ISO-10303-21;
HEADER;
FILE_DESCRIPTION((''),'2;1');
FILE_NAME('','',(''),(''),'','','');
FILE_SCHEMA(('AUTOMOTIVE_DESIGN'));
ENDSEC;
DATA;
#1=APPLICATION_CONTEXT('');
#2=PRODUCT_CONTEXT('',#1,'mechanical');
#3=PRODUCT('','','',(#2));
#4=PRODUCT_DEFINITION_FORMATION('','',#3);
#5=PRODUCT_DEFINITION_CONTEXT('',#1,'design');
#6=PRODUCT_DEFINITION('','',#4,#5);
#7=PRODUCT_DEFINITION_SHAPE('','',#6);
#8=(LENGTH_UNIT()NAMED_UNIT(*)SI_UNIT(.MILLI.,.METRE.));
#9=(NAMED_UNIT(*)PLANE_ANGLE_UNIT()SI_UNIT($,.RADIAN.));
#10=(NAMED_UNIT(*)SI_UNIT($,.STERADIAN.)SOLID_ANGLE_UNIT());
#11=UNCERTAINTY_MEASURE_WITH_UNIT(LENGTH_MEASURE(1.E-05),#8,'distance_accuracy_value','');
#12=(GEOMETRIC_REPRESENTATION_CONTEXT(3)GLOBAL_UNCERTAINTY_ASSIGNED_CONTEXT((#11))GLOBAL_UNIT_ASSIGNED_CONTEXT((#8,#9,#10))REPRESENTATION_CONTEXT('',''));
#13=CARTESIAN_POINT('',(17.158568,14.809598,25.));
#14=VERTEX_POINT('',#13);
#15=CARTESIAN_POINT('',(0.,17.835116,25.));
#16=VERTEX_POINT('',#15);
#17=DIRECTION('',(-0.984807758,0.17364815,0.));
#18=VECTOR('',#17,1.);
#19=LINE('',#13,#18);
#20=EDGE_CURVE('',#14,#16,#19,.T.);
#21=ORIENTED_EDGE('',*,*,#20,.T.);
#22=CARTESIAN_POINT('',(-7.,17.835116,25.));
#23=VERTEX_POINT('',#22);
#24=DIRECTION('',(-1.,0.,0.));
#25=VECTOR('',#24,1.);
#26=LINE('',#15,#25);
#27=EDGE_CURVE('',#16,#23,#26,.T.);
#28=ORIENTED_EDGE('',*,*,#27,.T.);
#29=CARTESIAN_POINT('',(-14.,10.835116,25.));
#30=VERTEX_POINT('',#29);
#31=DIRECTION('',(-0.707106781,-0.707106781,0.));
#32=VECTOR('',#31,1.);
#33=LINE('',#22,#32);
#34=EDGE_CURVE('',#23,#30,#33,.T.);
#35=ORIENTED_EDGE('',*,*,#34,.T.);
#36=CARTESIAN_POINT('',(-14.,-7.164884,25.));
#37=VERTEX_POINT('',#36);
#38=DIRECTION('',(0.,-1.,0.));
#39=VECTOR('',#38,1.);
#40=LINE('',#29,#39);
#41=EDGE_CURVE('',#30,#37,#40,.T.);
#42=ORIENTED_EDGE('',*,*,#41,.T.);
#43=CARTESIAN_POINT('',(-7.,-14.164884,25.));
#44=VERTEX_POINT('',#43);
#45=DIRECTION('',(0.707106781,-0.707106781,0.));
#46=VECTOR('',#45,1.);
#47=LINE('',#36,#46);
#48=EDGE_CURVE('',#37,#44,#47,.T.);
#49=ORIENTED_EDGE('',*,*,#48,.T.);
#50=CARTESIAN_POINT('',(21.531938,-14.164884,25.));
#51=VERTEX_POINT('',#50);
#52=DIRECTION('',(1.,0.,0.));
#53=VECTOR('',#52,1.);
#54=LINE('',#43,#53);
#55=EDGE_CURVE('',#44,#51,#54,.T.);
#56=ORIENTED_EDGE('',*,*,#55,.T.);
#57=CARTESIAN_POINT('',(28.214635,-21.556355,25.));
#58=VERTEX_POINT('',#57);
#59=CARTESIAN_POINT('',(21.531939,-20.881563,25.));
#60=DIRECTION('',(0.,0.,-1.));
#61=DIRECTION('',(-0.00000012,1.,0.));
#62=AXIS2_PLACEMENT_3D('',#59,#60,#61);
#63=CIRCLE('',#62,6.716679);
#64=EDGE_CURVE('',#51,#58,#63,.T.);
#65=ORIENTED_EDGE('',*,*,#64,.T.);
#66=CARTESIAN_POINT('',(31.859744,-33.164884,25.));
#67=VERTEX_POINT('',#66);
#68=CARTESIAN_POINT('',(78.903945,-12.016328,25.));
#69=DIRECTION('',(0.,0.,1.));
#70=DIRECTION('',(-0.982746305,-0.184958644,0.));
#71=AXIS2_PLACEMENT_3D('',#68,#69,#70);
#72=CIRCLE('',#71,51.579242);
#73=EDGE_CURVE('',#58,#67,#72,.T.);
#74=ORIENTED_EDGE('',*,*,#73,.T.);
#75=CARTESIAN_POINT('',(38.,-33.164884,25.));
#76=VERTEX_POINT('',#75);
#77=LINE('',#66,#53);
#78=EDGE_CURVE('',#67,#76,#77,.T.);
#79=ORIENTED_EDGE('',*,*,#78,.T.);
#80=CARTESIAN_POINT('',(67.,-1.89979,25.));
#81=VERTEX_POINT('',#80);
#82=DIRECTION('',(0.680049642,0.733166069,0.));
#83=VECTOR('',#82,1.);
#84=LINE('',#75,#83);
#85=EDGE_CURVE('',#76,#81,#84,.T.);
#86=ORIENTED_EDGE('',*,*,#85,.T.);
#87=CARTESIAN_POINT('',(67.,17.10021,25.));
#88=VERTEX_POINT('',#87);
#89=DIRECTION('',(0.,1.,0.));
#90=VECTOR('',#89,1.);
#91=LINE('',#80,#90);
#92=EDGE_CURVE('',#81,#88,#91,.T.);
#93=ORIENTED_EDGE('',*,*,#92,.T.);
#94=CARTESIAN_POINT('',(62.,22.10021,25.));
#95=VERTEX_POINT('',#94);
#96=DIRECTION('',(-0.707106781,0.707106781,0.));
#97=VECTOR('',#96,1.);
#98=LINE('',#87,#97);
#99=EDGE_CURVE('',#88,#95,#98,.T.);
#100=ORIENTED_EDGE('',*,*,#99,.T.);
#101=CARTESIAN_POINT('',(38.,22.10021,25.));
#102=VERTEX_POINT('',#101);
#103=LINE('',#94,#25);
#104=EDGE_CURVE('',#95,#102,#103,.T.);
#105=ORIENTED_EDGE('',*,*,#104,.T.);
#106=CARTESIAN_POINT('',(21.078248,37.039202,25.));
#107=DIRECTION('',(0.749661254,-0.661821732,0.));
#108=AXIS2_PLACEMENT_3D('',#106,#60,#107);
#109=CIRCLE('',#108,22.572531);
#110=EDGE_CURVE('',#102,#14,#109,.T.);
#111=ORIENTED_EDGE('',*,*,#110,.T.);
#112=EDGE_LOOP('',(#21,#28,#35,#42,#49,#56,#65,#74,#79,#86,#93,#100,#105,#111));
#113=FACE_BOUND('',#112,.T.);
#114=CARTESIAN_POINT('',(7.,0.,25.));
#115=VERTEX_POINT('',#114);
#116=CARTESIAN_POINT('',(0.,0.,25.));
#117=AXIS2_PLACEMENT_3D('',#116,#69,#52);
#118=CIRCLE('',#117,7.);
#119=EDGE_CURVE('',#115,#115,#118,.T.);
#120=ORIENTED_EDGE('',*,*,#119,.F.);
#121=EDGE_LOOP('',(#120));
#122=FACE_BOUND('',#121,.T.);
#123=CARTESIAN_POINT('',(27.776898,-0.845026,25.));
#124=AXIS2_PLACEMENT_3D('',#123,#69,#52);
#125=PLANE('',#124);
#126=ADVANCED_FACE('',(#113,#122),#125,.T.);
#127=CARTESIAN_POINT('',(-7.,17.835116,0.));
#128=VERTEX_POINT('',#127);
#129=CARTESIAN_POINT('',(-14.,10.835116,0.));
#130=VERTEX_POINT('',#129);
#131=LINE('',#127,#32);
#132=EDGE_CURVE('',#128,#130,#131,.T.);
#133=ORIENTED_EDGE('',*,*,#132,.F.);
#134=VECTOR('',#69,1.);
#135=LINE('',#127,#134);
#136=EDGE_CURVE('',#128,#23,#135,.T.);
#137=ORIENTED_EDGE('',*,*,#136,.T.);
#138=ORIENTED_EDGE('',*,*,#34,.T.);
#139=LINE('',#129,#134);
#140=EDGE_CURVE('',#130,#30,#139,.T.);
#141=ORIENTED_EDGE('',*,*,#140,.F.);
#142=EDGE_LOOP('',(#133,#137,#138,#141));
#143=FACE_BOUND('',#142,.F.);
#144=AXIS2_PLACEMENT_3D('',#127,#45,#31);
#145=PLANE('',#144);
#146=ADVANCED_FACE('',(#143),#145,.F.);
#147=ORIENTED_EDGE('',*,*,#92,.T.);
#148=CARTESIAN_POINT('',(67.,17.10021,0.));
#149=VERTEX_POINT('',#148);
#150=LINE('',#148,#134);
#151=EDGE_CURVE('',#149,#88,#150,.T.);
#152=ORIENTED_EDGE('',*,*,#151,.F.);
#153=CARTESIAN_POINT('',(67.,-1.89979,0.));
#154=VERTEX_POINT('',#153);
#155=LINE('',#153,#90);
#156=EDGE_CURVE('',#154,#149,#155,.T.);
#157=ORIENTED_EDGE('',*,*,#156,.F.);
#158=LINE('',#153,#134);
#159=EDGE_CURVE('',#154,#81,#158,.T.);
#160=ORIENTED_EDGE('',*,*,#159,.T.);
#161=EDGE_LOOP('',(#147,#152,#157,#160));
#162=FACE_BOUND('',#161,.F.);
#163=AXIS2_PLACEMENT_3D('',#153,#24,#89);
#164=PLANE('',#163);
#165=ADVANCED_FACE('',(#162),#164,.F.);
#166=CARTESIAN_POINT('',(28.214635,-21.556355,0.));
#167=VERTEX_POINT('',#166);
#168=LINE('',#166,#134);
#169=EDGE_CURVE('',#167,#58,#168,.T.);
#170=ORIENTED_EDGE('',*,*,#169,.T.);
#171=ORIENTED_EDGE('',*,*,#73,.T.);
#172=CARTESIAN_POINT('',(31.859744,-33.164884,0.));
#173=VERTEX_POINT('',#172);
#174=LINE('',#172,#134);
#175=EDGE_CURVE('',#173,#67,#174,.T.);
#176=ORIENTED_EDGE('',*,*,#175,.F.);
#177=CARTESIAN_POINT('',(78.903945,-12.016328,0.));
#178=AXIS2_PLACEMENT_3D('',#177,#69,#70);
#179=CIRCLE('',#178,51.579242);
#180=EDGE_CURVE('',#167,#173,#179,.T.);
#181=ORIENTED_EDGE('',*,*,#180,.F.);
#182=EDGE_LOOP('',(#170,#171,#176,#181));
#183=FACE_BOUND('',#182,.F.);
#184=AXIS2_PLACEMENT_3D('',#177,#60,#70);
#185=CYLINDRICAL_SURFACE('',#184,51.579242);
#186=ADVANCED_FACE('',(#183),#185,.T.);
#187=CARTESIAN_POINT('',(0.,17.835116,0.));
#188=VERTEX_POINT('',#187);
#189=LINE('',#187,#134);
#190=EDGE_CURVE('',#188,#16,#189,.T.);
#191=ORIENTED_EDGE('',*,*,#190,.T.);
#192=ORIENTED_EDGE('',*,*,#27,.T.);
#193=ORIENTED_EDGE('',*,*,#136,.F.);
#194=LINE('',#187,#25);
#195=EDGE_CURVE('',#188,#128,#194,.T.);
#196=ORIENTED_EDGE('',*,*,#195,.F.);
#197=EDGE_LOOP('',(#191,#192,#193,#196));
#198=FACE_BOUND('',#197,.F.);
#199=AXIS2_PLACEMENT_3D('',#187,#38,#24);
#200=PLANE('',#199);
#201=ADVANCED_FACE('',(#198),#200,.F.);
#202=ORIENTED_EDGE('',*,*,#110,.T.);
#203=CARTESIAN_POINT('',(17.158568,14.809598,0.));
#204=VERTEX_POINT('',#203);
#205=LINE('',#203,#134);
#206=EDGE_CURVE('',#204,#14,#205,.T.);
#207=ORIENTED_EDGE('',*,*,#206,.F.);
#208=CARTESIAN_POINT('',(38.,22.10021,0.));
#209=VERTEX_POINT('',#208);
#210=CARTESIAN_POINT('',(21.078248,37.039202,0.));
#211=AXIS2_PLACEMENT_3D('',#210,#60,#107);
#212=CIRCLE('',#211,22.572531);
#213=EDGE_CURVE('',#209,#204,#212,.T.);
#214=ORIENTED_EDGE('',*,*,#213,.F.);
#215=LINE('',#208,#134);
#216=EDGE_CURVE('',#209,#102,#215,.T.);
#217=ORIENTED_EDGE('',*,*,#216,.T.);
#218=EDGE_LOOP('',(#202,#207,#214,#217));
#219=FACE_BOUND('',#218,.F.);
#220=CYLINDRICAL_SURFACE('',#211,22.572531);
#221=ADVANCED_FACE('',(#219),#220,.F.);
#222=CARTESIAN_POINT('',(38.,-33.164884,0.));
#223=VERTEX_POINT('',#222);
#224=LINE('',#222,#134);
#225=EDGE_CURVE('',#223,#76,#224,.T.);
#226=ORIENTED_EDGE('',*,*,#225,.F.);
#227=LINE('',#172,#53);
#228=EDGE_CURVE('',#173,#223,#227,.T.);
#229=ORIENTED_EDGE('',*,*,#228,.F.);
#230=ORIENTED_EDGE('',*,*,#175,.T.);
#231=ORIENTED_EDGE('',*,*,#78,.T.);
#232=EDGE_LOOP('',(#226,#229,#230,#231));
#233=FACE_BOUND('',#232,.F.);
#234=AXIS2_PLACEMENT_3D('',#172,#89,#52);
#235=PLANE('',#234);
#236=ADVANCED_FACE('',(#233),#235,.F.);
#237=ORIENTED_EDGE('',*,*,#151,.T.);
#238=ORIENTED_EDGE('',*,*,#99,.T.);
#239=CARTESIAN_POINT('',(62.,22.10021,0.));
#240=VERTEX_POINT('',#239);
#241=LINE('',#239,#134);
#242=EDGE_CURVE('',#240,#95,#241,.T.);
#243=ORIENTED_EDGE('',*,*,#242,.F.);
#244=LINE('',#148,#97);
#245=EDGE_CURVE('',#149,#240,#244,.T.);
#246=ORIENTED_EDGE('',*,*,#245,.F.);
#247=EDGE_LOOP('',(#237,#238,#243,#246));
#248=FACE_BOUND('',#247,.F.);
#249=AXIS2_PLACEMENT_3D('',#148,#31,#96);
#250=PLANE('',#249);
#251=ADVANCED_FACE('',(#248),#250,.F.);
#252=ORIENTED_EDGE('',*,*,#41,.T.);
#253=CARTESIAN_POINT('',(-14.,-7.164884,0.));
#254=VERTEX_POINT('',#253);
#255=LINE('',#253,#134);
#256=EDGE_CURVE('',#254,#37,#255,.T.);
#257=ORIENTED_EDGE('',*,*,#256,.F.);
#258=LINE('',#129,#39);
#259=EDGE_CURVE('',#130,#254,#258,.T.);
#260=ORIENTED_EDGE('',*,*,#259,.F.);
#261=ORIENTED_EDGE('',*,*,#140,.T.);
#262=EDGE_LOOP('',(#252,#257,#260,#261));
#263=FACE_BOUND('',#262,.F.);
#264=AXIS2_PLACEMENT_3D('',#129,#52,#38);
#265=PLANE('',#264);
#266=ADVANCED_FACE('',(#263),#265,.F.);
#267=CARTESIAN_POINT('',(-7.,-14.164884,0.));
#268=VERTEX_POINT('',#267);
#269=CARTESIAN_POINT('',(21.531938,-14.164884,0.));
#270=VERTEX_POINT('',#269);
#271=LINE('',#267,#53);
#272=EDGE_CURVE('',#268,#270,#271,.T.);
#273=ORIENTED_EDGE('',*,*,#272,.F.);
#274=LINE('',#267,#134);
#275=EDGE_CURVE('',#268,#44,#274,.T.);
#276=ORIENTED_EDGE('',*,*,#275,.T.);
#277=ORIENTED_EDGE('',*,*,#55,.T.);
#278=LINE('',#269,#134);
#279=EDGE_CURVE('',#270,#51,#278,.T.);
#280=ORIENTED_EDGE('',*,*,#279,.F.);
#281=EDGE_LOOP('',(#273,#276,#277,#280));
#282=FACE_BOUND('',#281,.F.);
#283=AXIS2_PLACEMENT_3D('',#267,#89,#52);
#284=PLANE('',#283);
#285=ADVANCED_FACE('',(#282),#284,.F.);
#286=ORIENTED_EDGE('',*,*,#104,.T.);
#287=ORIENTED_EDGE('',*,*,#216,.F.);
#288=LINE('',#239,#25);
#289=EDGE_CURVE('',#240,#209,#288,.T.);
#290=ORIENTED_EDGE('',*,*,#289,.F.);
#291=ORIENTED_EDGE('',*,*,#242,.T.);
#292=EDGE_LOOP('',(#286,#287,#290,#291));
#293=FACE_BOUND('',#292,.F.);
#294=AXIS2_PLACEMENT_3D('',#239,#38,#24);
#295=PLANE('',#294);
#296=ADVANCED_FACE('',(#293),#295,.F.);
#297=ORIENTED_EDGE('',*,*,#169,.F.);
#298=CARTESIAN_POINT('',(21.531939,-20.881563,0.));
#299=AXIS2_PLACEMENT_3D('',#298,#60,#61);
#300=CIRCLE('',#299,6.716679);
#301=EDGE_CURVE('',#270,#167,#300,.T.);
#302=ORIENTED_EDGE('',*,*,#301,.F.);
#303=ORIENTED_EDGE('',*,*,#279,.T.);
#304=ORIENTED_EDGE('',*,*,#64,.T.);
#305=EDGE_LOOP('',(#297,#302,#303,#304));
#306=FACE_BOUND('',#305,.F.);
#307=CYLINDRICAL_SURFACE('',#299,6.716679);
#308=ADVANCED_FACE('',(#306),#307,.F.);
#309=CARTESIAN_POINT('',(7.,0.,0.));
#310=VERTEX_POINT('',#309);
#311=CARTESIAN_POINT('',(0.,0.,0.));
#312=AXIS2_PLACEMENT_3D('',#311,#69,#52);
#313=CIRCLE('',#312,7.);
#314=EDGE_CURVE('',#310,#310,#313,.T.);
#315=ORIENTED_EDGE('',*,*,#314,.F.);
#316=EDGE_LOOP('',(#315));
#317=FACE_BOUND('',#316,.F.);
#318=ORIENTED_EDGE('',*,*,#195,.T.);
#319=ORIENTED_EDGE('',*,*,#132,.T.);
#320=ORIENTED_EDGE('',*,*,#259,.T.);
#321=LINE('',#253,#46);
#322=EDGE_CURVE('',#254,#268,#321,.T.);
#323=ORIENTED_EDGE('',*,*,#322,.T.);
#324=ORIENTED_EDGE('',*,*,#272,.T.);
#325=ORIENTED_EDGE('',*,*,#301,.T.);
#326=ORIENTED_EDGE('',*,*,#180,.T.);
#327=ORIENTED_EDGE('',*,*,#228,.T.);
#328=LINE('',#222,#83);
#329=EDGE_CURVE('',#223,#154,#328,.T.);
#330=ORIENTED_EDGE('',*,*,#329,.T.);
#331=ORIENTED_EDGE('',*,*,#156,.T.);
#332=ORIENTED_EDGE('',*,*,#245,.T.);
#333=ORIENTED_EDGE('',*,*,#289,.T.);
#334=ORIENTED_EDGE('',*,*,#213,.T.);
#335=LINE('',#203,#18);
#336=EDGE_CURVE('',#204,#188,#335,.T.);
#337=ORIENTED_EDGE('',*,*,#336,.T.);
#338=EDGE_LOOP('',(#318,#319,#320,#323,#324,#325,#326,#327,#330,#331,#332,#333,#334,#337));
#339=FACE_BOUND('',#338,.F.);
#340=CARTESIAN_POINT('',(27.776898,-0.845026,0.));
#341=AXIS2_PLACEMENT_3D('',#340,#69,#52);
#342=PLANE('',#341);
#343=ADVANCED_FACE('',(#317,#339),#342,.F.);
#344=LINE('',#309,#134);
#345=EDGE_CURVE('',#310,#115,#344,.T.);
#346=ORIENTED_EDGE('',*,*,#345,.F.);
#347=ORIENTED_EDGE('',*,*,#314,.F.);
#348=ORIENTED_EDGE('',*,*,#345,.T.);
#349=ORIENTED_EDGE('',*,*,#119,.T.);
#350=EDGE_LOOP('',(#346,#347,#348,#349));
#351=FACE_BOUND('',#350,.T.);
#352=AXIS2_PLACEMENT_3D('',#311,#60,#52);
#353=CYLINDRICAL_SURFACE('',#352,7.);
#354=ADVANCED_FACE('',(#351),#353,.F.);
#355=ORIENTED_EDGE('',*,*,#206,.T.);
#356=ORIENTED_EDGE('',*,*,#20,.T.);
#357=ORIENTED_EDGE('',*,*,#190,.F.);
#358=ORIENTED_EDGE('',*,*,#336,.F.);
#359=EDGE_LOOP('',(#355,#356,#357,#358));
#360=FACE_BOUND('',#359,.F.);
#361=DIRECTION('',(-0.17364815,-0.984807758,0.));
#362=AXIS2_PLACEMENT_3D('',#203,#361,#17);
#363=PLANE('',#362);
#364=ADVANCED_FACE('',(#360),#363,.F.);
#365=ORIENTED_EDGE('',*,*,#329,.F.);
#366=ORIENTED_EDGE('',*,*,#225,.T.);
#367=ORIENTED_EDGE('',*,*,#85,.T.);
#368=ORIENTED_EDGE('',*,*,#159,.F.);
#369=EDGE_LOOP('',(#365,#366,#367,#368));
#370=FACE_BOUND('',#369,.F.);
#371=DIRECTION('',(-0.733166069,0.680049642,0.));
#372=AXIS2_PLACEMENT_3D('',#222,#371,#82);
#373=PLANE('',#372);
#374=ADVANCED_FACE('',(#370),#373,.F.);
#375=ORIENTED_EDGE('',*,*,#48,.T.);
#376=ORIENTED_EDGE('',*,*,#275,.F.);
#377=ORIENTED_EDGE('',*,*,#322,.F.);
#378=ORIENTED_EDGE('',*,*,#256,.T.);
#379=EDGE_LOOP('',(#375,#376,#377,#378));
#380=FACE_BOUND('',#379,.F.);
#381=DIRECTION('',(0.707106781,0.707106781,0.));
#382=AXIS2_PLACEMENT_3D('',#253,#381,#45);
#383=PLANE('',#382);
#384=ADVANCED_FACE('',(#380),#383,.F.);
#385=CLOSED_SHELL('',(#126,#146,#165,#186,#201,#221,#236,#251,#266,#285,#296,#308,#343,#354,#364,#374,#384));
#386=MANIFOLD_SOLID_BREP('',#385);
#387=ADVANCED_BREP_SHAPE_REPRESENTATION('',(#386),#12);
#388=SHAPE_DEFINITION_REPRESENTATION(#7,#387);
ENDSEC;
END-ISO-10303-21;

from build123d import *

# Parameters (mm, degrees)
F0_R     = 7
F1_DEPTH = 25


with BuildPart() as f1:
    # F0 (on Top) → F1 (new body)
    with BuildSketch(Plane.XY):
        with BuildLine():
            Line((-14, 10.835116), (-14, -7.164884))
            Line((-14, -7.164884), (-7, -14.164884))
            Line((-7, -14.164884), (21.531938, -14.164884))
            ThreePointArc((21.531938, -14.164884), (26.514214, -16.377042), (28.214635, -21.556355))
            ThreePointArc((28.214635, -21.556355), (29.693689, -27.468479), (31.859744, -33.164884))
            Line((31.859744, -33.164884), (38, -33.164884))
            Line((38, -33.164884), (67, -1.89979))
            Line((67, -1.89979), (67, 17.10021))
            Line((67, 17.10021), (62, 22.10021))
            Line((62, 22.10021), (38, 22.10021))
            ThreePointArc((38, 22.10021), (28.531551, 15.73269), (17.158568, 14.809598))
            Line((17.158568, 14.809598), (0, 17.835116))
            Line((0, 17.835116), (-7, 17.835116))
            Line((-7, 17.835116), (-14, 10.835116))
        make_face()
        Circle(F0_R, mode=Mode.SUBTRACT)
    extrude(amount=F1_DEPTH)


solid = f1.part
